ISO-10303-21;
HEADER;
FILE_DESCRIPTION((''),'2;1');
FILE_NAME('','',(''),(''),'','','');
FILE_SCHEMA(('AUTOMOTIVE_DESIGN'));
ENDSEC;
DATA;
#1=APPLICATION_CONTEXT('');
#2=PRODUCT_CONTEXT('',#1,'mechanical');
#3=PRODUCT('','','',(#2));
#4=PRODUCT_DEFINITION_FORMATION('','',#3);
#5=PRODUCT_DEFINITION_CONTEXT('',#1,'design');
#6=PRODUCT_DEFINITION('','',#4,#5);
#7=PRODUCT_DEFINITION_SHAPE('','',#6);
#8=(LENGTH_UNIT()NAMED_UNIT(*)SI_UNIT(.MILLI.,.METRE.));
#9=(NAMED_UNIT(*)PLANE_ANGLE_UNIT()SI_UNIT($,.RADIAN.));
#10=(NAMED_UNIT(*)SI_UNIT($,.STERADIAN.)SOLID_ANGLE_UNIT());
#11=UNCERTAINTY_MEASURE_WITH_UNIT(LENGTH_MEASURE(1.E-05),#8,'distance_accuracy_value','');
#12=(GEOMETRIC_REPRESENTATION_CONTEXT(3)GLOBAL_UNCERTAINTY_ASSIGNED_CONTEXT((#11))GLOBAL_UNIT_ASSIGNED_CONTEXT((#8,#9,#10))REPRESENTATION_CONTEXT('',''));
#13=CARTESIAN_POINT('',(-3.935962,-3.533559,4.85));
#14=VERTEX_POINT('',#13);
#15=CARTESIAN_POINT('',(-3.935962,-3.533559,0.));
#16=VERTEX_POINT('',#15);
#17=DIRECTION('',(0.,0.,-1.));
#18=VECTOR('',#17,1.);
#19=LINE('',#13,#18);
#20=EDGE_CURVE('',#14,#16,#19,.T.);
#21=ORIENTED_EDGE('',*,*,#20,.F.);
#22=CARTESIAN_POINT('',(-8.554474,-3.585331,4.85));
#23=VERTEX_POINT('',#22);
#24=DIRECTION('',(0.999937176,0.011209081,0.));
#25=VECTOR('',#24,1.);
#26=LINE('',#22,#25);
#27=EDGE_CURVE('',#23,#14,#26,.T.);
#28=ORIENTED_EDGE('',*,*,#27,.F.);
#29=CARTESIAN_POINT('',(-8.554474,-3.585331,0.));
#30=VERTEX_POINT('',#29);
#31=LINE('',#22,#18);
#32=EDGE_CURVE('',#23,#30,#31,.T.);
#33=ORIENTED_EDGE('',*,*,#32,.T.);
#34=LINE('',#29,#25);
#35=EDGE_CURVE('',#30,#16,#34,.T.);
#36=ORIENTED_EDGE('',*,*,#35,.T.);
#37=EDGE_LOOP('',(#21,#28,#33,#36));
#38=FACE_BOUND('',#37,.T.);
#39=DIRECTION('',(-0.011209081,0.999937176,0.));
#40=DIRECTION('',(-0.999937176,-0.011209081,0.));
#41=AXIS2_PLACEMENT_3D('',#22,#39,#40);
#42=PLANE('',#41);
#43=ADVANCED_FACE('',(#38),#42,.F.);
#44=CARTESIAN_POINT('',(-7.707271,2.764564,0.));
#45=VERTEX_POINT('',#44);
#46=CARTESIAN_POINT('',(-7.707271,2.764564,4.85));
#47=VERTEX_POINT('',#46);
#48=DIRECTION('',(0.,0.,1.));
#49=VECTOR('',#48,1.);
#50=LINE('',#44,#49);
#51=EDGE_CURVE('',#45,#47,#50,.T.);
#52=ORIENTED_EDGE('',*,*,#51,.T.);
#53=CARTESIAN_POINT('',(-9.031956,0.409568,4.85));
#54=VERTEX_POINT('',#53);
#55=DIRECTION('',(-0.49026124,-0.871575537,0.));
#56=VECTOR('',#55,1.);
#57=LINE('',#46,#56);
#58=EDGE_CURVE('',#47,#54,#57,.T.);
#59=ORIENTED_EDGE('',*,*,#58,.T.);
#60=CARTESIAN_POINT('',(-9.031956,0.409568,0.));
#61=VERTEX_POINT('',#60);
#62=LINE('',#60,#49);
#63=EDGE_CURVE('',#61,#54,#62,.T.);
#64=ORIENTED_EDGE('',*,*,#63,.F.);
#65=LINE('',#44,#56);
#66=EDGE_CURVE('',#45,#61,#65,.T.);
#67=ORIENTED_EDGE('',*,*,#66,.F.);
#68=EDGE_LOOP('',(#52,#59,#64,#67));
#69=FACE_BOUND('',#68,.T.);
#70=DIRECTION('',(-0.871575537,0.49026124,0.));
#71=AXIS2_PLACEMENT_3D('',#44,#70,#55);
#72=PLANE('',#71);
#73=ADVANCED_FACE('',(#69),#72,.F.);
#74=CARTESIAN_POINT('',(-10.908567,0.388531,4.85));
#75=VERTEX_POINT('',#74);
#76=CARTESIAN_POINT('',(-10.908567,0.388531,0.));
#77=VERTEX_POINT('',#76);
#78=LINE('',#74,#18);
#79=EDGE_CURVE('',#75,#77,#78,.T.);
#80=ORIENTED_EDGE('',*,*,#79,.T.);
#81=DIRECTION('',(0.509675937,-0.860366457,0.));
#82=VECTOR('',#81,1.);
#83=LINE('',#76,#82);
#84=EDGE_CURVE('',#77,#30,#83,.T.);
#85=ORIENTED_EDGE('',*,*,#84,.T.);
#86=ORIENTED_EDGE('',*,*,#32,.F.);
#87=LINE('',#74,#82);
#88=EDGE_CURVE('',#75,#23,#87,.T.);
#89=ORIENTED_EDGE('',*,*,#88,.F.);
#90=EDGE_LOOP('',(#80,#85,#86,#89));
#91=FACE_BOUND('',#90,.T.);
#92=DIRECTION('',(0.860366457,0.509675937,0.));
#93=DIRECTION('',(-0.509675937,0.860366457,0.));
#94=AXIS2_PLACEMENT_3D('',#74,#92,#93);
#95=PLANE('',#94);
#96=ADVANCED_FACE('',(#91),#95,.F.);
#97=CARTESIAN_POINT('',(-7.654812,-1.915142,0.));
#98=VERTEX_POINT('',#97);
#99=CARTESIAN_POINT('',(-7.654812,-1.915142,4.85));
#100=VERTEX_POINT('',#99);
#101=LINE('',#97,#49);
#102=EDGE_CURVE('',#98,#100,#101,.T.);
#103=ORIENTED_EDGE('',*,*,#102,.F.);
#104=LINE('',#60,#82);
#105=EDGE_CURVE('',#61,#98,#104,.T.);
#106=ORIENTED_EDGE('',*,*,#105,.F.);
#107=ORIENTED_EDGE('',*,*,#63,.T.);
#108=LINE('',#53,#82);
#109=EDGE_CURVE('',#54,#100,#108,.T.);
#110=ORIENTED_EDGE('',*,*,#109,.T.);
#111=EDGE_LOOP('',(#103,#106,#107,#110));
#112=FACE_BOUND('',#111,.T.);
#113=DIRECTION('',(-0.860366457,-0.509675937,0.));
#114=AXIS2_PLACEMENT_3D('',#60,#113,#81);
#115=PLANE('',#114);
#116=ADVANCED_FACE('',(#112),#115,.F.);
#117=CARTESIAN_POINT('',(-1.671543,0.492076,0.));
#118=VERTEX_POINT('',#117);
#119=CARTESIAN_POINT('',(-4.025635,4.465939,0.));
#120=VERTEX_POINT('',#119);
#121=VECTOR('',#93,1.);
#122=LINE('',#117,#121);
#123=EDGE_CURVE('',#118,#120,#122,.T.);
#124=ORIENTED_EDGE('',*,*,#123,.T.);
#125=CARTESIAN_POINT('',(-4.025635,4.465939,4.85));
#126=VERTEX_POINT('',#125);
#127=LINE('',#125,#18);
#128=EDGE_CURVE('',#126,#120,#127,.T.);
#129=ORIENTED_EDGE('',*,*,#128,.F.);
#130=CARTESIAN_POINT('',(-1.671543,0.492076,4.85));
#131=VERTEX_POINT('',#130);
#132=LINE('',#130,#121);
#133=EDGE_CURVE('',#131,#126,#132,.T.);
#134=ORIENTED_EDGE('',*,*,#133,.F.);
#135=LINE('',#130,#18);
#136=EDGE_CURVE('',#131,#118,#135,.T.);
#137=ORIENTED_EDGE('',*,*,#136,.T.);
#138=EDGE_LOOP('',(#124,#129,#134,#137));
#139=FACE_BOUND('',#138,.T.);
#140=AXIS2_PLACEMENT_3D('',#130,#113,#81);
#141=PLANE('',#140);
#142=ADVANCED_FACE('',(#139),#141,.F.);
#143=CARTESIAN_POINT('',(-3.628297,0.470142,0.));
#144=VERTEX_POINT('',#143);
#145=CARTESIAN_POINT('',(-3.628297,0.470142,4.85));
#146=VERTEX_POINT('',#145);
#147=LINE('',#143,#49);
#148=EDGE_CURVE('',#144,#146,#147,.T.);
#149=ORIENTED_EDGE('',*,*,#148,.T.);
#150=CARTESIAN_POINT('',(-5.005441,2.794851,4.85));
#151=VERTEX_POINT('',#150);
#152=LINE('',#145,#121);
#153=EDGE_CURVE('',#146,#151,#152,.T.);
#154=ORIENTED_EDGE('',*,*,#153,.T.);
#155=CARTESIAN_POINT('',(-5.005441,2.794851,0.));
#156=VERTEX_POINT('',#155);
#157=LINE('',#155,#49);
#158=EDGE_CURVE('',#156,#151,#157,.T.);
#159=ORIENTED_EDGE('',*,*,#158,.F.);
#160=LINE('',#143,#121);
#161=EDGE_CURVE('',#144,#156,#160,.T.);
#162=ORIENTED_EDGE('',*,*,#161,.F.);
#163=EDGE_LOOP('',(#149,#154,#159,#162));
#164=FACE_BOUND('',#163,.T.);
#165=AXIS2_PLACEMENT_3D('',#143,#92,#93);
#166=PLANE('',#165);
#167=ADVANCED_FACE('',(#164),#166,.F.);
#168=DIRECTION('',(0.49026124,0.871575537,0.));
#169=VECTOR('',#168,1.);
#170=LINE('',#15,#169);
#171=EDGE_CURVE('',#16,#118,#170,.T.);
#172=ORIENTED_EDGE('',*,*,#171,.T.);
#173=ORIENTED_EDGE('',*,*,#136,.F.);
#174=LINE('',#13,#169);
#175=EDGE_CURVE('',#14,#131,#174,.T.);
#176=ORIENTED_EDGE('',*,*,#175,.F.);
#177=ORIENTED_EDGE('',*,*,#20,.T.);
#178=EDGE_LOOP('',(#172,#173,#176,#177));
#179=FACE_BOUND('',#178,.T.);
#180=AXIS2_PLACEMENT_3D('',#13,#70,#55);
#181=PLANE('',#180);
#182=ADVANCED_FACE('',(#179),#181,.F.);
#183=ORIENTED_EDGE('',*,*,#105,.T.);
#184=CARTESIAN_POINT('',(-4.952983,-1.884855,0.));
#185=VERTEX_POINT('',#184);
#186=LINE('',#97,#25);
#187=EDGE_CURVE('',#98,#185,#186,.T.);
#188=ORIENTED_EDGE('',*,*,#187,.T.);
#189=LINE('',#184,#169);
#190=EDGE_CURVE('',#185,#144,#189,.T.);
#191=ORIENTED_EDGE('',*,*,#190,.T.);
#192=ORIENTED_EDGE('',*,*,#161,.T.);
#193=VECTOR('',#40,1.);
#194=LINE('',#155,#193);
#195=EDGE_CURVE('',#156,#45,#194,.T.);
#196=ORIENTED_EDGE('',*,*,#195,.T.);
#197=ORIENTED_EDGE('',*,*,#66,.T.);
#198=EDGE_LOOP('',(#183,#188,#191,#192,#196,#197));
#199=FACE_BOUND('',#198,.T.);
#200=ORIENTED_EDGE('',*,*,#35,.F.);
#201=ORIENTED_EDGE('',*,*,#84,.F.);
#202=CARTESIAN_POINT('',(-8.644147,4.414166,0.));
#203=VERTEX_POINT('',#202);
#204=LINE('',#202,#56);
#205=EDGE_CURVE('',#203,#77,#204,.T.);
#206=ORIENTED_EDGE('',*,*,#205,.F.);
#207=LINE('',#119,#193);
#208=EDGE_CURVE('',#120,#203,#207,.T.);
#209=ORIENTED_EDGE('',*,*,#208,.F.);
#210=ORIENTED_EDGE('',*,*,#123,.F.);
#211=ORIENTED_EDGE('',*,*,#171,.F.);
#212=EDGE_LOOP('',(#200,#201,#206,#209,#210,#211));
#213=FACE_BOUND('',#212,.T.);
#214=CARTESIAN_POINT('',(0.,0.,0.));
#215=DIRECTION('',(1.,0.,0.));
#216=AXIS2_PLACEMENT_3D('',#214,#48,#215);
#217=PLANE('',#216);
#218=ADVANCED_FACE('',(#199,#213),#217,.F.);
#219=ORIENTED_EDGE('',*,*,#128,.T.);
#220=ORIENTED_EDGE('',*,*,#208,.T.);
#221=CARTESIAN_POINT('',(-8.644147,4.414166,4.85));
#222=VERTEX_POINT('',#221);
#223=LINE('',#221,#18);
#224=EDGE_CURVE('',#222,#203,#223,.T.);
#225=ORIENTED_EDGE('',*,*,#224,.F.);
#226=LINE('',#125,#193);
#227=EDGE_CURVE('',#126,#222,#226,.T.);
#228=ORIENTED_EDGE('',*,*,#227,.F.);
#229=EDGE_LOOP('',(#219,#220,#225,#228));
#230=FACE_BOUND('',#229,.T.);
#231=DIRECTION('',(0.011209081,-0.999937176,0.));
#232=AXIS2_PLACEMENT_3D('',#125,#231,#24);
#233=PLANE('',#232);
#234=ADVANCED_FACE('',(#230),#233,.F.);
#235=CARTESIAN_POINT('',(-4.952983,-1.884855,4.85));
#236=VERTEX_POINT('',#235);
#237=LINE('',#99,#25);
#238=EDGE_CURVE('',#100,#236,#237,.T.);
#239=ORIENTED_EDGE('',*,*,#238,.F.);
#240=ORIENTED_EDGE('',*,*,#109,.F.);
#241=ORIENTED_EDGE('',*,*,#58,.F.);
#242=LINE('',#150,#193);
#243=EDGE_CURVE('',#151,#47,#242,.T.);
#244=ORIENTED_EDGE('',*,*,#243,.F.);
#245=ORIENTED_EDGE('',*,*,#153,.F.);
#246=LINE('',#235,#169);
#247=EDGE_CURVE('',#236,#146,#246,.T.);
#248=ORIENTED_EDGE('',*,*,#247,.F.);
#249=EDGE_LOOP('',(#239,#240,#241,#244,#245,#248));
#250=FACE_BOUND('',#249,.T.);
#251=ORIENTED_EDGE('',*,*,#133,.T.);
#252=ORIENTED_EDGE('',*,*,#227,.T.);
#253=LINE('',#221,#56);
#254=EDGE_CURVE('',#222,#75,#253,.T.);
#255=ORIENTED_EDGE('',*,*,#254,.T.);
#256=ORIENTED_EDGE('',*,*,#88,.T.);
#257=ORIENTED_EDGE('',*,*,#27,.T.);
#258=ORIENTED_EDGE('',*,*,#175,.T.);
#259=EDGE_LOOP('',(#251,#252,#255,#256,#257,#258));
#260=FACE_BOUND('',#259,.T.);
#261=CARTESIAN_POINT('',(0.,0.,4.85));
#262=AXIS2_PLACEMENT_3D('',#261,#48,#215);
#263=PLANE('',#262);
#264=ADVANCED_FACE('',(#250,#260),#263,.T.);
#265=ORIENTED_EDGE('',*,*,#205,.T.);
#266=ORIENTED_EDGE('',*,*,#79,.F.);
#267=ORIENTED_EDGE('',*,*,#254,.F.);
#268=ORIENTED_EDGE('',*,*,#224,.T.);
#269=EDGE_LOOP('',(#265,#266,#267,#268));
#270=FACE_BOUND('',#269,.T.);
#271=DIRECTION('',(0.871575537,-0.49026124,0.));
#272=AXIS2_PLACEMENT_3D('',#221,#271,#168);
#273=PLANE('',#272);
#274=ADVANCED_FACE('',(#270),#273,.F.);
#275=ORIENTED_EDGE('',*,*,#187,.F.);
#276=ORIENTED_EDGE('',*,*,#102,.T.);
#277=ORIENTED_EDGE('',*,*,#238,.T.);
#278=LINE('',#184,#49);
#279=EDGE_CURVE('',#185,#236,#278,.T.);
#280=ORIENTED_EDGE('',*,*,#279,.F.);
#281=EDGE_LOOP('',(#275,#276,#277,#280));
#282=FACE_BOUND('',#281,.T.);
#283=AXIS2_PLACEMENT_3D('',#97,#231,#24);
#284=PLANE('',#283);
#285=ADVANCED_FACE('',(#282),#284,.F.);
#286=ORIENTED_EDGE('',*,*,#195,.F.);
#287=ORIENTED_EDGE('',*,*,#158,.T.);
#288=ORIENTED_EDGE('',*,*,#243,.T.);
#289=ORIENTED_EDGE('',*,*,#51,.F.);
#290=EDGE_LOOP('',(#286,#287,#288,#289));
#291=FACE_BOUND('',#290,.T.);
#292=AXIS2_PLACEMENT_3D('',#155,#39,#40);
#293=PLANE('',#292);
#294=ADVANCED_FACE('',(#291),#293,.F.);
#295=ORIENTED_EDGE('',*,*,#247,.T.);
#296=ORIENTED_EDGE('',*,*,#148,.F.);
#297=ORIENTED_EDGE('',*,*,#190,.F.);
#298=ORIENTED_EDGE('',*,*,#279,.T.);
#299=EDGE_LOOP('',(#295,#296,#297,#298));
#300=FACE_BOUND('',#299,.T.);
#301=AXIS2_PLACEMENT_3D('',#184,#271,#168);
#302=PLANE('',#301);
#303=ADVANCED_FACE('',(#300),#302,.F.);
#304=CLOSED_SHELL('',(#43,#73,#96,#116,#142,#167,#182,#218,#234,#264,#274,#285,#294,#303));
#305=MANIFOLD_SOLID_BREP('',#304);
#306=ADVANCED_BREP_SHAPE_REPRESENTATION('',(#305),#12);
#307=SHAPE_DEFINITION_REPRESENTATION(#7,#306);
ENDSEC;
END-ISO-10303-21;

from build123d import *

# Parameters (mm, degrees)
BOSS_EXTRUDE1_DEPTH = 4.85
CUT_EXTRUDE1_DEPTH  = 13.74613412


with BuildPart() as part:
    # Sketch2 → Boss-Extrude1 (new body)
    with BuildSketch(Plane.XY):
        Polygon((-8.554474307, -3.585331143), (-3.935962323, -3.533558618), (-1.671542654, 0.49207635), (-4.025634968, 4.465938792), (-8.644146951, 4.414166267), (-10.90856662, 0.388531299), align=None)
    extrude(amount=BOSS_EXTRUDE1_DEPTH)

    # Sketch3 → Cut-Extrude1 (cut, through all)
    with BuildSketch(Plane.XY.offset(4.85)):
        Polygon((-4.952982971, -1.884854907), (-3.628297465, 0.47014155), (-5.005441468, 2.794851079), (-7.707270978, 2.764564151), (-9.031956485, 0.409567695), (-7.654812481, -1.915141834), align=None)
    extrude(amount=-CUT_EXTRUDE1_DEPTH, mode=Mode.SUBTRACT)


solid = part.part
